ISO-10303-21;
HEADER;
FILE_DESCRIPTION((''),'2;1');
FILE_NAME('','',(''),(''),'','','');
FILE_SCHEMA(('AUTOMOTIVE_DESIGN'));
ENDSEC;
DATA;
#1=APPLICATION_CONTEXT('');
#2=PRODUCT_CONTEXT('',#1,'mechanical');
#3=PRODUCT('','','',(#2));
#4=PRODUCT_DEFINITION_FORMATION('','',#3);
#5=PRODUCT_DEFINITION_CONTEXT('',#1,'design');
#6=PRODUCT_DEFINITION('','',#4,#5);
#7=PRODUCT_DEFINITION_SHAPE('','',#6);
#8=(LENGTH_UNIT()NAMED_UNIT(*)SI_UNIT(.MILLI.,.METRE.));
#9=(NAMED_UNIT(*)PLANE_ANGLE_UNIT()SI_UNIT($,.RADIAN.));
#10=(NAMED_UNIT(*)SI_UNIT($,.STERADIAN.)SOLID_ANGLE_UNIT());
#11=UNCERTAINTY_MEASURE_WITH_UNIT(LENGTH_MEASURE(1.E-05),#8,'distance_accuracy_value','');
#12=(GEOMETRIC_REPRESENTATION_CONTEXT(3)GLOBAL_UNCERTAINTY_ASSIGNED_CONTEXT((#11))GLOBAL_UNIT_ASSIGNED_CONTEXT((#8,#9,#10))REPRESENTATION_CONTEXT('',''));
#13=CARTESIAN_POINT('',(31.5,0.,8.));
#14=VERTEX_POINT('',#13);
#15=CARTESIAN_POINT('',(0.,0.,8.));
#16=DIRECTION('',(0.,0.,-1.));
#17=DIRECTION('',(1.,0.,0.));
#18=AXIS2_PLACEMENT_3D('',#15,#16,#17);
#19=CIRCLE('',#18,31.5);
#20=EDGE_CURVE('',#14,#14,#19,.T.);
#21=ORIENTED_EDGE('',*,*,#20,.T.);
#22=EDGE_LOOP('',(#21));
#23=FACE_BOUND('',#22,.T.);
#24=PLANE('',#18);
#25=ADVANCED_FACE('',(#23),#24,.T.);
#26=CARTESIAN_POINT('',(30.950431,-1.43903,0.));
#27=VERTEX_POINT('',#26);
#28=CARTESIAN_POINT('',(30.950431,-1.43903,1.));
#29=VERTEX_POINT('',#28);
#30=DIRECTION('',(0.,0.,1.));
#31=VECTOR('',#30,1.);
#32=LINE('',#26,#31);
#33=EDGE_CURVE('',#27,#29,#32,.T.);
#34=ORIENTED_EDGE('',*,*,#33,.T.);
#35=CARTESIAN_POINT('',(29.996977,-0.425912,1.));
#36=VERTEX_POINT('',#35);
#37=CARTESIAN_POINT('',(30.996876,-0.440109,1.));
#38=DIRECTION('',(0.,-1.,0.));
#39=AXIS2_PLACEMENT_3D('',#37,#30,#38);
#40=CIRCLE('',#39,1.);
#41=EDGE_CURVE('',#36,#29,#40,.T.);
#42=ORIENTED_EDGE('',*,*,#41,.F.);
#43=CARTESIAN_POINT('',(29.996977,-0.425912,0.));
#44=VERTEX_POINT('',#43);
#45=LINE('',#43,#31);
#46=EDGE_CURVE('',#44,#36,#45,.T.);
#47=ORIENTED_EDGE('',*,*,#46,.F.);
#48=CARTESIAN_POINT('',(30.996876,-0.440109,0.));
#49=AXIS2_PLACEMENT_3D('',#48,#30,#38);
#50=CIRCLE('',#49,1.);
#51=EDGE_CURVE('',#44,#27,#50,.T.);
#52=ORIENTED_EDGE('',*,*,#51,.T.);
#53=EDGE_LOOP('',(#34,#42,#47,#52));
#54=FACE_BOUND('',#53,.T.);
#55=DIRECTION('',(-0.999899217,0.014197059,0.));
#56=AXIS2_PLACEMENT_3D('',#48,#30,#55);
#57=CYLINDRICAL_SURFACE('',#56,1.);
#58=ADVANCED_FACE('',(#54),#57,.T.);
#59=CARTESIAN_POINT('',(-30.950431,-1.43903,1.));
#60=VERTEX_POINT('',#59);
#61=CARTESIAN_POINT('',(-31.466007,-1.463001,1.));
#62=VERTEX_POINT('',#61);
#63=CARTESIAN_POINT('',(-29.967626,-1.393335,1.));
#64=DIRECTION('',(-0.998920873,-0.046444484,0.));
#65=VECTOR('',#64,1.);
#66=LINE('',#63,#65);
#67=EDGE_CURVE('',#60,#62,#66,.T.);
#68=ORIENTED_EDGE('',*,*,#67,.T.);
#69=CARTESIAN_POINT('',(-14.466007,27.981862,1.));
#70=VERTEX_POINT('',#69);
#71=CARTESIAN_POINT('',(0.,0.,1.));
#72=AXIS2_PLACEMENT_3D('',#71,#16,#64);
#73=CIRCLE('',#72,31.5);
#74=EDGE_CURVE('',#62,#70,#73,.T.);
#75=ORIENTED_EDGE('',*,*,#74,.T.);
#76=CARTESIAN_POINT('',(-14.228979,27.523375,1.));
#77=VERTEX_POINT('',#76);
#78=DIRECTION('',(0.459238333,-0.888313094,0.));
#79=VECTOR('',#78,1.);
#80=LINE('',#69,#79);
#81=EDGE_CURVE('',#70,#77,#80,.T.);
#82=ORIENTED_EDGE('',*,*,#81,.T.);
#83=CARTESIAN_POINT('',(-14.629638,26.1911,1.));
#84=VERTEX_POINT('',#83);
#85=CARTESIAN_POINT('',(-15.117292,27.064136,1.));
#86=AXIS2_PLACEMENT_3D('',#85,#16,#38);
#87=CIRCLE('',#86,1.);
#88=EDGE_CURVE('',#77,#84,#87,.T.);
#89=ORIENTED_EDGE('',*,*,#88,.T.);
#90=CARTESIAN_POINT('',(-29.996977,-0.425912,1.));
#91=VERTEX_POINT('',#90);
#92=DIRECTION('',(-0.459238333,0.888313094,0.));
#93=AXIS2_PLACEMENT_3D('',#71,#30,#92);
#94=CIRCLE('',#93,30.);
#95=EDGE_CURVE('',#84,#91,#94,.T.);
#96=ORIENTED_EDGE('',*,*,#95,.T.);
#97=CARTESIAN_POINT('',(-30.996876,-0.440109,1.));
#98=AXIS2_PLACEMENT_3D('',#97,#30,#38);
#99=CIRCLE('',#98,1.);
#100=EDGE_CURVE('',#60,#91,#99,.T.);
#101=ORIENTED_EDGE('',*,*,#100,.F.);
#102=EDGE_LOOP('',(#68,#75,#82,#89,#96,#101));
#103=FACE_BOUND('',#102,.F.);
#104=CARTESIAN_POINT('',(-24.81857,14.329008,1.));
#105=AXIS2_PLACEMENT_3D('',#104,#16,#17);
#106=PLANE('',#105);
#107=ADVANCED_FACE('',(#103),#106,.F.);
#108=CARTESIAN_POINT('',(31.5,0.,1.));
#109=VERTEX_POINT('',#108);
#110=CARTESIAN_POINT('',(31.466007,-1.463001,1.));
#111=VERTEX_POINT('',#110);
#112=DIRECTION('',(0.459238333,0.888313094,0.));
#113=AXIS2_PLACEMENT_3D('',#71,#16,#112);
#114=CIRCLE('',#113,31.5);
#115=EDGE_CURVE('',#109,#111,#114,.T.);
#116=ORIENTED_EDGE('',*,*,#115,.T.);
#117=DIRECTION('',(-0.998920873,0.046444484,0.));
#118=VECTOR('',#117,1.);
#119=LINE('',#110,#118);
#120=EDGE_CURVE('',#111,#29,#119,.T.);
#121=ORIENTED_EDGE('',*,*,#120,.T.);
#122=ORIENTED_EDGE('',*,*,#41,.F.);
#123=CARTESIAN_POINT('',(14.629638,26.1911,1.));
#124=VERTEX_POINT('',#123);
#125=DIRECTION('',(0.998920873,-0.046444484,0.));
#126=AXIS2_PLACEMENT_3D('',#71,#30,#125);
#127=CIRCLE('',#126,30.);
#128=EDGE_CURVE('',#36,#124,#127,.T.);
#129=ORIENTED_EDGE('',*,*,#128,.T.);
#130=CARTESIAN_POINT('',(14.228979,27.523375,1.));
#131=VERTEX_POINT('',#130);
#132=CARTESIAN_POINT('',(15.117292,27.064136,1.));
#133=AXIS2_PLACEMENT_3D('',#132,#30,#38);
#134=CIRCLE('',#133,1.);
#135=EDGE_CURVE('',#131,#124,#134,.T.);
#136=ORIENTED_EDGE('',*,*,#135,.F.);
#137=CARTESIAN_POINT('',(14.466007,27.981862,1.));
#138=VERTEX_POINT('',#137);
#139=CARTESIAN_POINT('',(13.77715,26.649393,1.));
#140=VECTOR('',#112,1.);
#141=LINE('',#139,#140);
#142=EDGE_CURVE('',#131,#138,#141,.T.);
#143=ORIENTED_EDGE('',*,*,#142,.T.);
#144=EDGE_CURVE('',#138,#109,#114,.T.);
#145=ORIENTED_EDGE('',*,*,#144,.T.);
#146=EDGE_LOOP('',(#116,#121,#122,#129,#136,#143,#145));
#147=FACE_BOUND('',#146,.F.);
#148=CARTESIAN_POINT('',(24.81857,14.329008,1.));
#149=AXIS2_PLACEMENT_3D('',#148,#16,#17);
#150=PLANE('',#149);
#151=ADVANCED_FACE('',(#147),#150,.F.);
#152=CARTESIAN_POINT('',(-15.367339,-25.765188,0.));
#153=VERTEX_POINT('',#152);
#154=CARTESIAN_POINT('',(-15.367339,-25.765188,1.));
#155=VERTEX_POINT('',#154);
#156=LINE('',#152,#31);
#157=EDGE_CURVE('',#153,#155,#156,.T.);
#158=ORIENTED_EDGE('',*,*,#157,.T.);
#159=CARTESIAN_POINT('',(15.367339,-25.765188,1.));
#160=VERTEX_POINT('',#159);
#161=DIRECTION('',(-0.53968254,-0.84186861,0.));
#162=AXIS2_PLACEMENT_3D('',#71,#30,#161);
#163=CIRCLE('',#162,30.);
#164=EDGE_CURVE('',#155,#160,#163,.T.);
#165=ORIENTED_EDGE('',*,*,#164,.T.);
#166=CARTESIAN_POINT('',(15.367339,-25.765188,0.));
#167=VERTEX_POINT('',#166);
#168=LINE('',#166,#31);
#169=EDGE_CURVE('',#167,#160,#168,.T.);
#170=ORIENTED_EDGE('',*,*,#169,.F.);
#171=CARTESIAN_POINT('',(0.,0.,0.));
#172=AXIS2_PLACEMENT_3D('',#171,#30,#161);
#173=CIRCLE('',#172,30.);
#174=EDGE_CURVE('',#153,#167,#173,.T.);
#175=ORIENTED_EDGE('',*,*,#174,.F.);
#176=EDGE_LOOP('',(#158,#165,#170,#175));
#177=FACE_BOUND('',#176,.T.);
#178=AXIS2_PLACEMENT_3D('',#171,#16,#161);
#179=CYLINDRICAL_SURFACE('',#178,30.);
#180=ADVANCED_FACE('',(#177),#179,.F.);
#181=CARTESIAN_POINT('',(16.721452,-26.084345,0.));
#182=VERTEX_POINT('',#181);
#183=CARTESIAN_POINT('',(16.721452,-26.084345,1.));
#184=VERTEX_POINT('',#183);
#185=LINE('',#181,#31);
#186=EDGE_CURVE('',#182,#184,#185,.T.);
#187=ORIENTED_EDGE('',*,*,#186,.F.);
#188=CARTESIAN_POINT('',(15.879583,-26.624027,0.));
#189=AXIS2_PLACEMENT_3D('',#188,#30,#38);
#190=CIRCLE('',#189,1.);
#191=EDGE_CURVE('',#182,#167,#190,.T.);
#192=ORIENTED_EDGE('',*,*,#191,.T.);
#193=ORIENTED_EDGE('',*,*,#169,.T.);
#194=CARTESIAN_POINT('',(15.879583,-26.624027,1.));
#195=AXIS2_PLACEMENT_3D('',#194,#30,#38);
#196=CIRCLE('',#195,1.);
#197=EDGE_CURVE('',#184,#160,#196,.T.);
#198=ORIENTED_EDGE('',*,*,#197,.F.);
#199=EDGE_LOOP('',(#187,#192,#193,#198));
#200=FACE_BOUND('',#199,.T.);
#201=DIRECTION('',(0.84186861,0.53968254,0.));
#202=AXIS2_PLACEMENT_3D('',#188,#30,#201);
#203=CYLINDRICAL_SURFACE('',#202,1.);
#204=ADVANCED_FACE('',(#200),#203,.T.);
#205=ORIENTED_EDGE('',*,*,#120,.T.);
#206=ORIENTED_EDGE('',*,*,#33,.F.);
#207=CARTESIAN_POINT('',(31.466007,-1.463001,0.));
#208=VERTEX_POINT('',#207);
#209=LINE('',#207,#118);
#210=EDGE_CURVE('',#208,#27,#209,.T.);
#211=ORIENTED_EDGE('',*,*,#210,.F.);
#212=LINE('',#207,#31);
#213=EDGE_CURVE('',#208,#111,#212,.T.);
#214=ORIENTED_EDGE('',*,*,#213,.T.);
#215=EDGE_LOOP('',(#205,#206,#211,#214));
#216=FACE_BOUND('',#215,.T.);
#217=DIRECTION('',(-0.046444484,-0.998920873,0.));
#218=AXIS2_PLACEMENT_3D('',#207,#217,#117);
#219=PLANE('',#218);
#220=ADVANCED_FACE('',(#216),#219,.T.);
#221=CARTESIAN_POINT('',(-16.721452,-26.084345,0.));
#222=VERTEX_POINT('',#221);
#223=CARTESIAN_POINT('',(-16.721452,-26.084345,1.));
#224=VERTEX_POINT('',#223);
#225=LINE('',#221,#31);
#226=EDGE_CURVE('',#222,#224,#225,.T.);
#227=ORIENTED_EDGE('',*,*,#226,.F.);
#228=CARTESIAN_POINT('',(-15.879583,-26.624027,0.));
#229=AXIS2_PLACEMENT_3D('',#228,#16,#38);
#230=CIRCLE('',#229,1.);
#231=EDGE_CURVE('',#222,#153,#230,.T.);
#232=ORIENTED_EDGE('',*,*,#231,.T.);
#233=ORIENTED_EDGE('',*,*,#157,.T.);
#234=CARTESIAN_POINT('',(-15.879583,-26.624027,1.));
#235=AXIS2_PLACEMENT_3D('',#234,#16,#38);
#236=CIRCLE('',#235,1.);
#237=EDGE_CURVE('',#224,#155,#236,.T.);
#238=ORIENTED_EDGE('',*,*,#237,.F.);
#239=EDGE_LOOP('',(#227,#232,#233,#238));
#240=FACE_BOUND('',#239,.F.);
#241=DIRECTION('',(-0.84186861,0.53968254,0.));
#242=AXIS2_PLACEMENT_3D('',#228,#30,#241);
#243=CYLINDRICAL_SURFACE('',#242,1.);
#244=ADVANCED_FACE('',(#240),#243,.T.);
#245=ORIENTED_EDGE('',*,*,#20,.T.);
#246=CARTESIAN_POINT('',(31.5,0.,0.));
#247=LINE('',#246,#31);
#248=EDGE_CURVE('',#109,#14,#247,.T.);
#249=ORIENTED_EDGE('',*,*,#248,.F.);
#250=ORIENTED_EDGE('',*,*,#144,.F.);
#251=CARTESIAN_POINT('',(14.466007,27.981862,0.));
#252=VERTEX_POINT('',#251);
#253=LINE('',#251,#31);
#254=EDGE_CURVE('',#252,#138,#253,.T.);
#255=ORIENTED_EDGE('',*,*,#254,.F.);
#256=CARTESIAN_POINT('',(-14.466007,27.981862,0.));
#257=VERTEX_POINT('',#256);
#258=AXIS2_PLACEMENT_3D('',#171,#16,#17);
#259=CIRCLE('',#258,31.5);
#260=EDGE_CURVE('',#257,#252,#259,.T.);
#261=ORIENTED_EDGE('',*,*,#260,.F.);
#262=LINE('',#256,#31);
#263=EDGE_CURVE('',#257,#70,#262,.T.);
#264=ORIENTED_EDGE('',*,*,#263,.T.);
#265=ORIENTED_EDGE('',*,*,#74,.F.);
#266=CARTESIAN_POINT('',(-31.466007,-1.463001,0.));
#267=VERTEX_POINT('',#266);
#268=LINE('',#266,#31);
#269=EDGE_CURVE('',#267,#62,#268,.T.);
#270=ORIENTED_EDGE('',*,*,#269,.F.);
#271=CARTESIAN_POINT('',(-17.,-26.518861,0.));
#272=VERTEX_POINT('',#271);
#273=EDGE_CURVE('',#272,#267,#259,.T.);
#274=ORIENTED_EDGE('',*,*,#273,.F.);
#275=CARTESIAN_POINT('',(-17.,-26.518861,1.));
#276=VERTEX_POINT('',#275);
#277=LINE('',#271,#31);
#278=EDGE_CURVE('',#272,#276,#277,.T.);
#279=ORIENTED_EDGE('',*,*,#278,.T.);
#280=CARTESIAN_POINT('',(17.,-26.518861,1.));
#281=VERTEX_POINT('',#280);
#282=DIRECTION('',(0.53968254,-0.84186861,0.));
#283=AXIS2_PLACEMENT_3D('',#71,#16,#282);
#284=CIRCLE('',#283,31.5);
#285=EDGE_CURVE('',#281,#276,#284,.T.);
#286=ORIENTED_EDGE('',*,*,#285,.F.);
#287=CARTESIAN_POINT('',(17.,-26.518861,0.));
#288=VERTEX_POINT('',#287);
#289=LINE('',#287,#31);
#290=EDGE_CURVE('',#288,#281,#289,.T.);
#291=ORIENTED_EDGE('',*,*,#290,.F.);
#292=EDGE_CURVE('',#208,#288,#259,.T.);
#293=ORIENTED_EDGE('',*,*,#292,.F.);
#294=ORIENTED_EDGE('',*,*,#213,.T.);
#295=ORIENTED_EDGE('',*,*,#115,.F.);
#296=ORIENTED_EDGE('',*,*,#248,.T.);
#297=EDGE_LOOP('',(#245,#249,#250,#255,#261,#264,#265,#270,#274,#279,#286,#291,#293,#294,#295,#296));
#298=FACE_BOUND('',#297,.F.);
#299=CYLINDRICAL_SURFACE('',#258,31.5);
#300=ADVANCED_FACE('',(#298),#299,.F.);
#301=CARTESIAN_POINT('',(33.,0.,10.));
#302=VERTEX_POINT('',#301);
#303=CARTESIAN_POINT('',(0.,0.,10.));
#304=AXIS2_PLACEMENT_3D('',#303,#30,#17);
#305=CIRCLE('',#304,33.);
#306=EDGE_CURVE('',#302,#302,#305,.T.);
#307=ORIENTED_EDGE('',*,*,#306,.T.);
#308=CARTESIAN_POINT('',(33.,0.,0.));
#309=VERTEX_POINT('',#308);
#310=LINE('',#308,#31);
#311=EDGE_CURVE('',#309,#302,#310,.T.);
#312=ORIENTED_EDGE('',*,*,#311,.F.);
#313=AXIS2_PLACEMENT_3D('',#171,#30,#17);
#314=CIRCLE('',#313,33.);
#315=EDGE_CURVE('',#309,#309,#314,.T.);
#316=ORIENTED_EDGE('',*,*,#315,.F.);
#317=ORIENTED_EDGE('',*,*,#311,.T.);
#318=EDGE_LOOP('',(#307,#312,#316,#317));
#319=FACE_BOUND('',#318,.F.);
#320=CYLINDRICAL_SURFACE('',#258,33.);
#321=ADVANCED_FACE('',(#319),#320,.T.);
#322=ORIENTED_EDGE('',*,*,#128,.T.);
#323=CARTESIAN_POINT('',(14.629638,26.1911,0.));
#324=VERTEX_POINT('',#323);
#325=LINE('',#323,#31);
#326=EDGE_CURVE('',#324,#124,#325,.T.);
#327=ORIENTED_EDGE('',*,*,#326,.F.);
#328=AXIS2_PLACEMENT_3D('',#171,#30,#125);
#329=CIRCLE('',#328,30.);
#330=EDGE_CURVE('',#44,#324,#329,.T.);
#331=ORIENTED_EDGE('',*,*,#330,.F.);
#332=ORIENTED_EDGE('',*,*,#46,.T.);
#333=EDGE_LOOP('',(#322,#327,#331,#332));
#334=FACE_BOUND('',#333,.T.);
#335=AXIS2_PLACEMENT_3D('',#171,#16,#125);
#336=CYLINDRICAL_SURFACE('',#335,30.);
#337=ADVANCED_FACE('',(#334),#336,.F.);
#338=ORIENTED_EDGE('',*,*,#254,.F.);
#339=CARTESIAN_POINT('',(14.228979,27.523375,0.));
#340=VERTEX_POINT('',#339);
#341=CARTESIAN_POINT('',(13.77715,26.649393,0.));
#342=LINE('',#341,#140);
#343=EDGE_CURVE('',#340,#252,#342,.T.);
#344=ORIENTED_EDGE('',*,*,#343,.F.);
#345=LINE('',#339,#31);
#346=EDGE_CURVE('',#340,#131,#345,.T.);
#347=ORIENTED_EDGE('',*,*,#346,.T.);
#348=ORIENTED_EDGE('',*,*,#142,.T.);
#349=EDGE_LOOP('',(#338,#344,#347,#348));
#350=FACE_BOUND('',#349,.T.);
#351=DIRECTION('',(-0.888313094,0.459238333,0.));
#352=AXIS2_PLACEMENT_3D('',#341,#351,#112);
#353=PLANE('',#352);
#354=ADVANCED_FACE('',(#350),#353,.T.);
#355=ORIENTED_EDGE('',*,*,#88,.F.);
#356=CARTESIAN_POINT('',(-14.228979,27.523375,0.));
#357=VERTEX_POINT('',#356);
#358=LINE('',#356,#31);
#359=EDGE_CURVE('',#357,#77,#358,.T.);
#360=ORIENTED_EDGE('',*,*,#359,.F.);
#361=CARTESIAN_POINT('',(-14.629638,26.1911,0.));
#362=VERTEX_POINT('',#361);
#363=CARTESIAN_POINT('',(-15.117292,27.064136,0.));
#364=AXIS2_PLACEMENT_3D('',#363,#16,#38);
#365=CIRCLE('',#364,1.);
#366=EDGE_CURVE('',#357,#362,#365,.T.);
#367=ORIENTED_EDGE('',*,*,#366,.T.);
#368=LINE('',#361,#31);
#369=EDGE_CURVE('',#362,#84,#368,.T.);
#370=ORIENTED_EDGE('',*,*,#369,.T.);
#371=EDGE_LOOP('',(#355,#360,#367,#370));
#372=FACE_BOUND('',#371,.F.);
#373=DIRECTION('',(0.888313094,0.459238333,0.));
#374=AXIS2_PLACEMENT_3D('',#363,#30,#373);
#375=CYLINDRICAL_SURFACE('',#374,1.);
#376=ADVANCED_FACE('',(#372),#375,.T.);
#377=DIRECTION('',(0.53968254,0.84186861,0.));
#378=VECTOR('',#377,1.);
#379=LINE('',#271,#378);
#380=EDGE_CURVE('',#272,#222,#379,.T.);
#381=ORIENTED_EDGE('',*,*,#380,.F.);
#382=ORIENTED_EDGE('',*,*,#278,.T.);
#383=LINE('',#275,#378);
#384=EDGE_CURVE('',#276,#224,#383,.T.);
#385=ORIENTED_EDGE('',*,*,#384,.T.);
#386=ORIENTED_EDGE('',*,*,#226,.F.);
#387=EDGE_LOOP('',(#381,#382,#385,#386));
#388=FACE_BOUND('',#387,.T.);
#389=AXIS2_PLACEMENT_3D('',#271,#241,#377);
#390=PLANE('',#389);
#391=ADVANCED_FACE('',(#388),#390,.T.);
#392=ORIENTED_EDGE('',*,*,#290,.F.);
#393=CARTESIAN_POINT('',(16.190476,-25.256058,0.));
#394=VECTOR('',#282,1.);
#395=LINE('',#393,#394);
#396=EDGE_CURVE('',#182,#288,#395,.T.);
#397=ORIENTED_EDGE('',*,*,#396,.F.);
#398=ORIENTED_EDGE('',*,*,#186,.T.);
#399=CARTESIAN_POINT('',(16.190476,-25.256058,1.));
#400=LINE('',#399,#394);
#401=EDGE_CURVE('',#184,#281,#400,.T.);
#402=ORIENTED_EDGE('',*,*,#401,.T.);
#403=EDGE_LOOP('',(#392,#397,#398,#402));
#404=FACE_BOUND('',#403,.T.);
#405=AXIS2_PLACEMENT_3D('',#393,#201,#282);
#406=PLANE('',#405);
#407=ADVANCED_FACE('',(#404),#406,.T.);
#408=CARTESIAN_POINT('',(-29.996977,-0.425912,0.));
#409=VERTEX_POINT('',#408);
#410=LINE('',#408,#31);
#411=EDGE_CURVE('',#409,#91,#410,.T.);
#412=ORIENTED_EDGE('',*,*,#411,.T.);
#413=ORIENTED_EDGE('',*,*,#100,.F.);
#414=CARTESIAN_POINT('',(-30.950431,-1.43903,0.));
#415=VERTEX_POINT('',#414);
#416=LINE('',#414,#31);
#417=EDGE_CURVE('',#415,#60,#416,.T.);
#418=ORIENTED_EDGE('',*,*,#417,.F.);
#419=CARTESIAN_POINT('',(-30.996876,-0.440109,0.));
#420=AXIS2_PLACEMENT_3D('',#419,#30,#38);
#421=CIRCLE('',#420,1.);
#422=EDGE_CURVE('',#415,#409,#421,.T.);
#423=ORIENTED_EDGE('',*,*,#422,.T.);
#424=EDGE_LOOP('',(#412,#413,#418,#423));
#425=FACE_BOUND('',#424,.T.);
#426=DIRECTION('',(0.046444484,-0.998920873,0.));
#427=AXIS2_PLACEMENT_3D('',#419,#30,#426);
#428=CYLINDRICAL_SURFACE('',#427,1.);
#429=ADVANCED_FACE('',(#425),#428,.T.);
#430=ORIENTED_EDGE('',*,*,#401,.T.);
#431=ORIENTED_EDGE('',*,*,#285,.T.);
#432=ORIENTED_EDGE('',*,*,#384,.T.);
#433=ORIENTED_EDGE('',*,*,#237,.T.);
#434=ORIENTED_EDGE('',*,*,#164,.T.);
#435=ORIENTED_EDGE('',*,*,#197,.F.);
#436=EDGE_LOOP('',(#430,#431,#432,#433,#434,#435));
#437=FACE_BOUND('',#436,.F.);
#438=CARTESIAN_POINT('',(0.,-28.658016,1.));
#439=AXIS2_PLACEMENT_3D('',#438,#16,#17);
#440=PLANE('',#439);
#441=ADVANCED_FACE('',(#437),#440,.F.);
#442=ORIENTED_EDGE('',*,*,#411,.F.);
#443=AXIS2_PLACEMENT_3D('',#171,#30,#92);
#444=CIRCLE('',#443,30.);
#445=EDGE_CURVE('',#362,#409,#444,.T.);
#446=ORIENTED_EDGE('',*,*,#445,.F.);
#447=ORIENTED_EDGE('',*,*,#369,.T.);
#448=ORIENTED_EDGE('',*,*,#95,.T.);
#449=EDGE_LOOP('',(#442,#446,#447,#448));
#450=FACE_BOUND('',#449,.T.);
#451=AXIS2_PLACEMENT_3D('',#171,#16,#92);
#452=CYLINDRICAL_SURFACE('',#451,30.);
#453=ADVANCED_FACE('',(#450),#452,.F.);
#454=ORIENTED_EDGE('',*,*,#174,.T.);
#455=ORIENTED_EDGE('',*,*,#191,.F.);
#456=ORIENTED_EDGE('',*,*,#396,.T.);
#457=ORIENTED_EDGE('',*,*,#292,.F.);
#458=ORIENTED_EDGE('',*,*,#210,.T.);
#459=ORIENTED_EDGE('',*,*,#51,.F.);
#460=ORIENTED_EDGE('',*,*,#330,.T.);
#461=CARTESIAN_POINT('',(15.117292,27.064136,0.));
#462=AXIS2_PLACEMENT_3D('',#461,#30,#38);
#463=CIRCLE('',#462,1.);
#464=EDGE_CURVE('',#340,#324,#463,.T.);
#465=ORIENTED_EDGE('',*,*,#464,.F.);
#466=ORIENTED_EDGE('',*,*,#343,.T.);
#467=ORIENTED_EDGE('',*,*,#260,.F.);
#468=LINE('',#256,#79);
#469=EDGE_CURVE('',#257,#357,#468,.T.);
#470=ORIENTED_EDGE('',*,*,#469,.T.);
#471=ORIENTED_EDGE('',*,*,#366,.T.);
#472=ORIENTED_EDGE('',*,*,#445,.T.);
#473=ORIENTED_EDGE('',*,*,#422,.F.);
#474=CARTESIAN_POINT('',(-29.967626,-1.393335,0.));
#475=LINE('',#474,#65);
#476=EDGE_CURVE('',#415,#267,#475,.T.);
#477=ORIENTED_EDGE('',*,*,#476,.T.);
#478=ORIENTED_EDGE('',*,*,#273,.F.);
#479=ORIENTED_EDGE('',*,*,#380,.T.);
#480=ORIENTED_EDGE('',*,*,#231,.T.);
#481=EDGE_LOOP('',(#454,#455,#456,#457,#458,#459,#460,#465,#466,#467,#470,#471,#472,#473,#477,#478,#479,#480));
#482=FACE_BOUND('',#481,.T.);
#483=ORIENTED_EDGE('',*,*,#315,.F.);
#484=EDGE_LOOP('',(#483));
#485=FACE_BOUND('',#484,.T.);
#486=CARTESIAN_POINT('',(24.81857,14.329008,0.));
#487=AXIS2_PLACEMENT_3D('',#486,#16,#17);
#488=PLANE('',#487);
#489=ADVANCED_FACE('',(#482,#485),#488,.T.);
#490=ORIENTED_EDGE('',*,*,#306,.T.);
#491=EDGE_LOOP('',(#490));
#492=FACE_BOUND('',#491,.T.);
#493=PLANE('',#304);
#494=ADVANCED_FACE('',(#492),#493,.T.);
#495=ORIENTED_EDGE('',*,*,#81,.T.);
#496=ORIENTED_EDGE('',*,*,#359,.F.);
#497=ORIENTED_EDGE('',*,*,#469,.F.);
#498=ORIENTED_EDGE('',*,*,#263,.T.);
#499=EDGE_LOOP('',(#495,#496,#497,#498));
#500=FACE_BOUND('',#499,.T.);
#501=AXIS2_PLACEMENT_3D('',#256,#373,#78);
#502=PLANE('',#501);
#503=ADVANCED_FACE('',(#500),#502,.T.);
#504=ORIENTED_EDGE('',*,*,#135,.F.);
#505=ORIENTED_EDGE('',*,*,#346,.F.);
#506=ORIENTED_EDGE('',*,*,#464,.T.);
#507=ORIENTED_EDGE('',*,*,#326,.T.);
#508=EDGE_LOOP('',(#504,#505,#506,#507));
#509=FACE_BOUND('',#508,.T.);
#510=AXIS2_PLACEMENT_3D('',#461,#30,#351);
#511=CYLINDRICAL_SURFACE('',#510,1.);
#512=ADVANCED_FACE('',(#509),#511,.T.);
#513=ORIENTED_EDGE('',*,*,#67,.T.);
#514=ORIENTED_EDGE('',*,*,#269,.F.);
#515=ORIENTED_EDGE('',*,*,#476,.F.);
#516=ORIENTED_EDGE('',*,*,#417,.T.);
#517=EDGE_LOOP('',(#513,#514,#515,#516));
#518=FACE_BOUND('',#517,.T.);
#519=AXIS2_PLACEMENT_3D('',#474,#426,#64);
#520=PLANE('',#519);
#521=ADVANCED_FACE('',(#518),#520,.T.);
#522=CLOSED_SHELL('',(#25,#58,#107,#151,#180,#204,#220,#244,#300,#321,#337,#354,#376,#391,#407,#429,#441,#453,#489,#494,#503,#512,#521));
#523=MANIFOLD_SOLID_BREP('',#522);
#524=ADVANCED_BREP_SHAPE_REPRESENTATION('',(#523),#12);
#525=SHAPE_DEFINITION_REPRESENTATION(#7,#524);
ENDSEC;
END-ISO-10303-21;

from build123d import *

# Parameters (mm, degrees)
F0_R     = 33
F1_DEPTH = 10
F2_R     = 31.5
F3_DEPTH = 8
F5_DEPTH = 1
F6_R     = 1


with BuildPart() as f1:
    # F0 (on Top) → F1 (new body)
    with BuildSketch(Plane.XY):
        Circle(F0_R)
    extrude(amount=F1_DEPTH)

    # F2 (on face) → F3 (cut)
    with BuildSketch(Plane(origin=(0, 0, 0), x_dir=(1, 0, 0), z_dir=(0, 0, -1))):
        Circle(F2_R)
    extrude(amount=-F3_DEPTH, mode=Mode.SUBTRACT)

    # F4 (on face) → F5 (join)
    with BuildSketch(Plane(origin=(0, 0, 0), x_dir=(1, 0, 0), z_dir=(0, 0, -1))):
        with BuildLine():
            Line((16.1904761905, 25.2560582975), (17, 26.5188612124))
            ThreePointArc((17, 26.5188612124), (0, 31.5), (-17, 26.5188612124))
            Line((-17, 26.5188612124), (-16.1904761905, 25.2560582975))
            ThreePointArc((-16.1904761905, 25.2560582975), (0, 30), (16.1904761905, 25.2560582975))
        make_face()
        with BuildLine():
            Line((-29.9676261803, 1.3933345316), (-31.4660074893, 1.4630012582))
            ThreePointArc((-31.4660074893, 1.4630012582), (-27.2798002192, -15.75), (-14.4660074893, -27.9818624705))
            Line((-14.4660074893, -27.9818624705), (-13.7771499898, -26.6493928291))
            ThreePointArc((-13.7771499898, -26.6493928291), (-25.9807621135, -15), (-29.9676261803, 1.3933345316))
        make_face()
        with BuildLine():
            Line((13.7771499898, -26.6493928291), (14.4660074893, -27.9818624705))
            ThreePointArc((14.4660074893, -27.9818624705), (27.2798002192, -15.75), (31.4660074893, 1.4630012582))
            Line((31.4660074893, 1.4630012582), (29.9676261803, 1.3933345316))
            ThreePointArc((29.9676261803, 1.3933345316), (25.9807621135, -15), (13.7771499898, -26.6493928291))
        make_face()
    extrude(amount=-F5_DEPTH)

    # F6
    f6_edges = [f1.edges().sort_by_distance(p)[0] for p in [
        (29.967626, -1.393335, 0.5),
        (13.77715, 26.649393, 0.5),
        (16.190476, -25.256058, 0.5),
        (-13.77715, 26.649393, 0.5),
        (-29.967626, -1.393335, 0.5),
        (-16.190476, -25.256058, 0.5),
    ]]
    fillet(f6_edges, radius=F6_R)


solid = f1.part
